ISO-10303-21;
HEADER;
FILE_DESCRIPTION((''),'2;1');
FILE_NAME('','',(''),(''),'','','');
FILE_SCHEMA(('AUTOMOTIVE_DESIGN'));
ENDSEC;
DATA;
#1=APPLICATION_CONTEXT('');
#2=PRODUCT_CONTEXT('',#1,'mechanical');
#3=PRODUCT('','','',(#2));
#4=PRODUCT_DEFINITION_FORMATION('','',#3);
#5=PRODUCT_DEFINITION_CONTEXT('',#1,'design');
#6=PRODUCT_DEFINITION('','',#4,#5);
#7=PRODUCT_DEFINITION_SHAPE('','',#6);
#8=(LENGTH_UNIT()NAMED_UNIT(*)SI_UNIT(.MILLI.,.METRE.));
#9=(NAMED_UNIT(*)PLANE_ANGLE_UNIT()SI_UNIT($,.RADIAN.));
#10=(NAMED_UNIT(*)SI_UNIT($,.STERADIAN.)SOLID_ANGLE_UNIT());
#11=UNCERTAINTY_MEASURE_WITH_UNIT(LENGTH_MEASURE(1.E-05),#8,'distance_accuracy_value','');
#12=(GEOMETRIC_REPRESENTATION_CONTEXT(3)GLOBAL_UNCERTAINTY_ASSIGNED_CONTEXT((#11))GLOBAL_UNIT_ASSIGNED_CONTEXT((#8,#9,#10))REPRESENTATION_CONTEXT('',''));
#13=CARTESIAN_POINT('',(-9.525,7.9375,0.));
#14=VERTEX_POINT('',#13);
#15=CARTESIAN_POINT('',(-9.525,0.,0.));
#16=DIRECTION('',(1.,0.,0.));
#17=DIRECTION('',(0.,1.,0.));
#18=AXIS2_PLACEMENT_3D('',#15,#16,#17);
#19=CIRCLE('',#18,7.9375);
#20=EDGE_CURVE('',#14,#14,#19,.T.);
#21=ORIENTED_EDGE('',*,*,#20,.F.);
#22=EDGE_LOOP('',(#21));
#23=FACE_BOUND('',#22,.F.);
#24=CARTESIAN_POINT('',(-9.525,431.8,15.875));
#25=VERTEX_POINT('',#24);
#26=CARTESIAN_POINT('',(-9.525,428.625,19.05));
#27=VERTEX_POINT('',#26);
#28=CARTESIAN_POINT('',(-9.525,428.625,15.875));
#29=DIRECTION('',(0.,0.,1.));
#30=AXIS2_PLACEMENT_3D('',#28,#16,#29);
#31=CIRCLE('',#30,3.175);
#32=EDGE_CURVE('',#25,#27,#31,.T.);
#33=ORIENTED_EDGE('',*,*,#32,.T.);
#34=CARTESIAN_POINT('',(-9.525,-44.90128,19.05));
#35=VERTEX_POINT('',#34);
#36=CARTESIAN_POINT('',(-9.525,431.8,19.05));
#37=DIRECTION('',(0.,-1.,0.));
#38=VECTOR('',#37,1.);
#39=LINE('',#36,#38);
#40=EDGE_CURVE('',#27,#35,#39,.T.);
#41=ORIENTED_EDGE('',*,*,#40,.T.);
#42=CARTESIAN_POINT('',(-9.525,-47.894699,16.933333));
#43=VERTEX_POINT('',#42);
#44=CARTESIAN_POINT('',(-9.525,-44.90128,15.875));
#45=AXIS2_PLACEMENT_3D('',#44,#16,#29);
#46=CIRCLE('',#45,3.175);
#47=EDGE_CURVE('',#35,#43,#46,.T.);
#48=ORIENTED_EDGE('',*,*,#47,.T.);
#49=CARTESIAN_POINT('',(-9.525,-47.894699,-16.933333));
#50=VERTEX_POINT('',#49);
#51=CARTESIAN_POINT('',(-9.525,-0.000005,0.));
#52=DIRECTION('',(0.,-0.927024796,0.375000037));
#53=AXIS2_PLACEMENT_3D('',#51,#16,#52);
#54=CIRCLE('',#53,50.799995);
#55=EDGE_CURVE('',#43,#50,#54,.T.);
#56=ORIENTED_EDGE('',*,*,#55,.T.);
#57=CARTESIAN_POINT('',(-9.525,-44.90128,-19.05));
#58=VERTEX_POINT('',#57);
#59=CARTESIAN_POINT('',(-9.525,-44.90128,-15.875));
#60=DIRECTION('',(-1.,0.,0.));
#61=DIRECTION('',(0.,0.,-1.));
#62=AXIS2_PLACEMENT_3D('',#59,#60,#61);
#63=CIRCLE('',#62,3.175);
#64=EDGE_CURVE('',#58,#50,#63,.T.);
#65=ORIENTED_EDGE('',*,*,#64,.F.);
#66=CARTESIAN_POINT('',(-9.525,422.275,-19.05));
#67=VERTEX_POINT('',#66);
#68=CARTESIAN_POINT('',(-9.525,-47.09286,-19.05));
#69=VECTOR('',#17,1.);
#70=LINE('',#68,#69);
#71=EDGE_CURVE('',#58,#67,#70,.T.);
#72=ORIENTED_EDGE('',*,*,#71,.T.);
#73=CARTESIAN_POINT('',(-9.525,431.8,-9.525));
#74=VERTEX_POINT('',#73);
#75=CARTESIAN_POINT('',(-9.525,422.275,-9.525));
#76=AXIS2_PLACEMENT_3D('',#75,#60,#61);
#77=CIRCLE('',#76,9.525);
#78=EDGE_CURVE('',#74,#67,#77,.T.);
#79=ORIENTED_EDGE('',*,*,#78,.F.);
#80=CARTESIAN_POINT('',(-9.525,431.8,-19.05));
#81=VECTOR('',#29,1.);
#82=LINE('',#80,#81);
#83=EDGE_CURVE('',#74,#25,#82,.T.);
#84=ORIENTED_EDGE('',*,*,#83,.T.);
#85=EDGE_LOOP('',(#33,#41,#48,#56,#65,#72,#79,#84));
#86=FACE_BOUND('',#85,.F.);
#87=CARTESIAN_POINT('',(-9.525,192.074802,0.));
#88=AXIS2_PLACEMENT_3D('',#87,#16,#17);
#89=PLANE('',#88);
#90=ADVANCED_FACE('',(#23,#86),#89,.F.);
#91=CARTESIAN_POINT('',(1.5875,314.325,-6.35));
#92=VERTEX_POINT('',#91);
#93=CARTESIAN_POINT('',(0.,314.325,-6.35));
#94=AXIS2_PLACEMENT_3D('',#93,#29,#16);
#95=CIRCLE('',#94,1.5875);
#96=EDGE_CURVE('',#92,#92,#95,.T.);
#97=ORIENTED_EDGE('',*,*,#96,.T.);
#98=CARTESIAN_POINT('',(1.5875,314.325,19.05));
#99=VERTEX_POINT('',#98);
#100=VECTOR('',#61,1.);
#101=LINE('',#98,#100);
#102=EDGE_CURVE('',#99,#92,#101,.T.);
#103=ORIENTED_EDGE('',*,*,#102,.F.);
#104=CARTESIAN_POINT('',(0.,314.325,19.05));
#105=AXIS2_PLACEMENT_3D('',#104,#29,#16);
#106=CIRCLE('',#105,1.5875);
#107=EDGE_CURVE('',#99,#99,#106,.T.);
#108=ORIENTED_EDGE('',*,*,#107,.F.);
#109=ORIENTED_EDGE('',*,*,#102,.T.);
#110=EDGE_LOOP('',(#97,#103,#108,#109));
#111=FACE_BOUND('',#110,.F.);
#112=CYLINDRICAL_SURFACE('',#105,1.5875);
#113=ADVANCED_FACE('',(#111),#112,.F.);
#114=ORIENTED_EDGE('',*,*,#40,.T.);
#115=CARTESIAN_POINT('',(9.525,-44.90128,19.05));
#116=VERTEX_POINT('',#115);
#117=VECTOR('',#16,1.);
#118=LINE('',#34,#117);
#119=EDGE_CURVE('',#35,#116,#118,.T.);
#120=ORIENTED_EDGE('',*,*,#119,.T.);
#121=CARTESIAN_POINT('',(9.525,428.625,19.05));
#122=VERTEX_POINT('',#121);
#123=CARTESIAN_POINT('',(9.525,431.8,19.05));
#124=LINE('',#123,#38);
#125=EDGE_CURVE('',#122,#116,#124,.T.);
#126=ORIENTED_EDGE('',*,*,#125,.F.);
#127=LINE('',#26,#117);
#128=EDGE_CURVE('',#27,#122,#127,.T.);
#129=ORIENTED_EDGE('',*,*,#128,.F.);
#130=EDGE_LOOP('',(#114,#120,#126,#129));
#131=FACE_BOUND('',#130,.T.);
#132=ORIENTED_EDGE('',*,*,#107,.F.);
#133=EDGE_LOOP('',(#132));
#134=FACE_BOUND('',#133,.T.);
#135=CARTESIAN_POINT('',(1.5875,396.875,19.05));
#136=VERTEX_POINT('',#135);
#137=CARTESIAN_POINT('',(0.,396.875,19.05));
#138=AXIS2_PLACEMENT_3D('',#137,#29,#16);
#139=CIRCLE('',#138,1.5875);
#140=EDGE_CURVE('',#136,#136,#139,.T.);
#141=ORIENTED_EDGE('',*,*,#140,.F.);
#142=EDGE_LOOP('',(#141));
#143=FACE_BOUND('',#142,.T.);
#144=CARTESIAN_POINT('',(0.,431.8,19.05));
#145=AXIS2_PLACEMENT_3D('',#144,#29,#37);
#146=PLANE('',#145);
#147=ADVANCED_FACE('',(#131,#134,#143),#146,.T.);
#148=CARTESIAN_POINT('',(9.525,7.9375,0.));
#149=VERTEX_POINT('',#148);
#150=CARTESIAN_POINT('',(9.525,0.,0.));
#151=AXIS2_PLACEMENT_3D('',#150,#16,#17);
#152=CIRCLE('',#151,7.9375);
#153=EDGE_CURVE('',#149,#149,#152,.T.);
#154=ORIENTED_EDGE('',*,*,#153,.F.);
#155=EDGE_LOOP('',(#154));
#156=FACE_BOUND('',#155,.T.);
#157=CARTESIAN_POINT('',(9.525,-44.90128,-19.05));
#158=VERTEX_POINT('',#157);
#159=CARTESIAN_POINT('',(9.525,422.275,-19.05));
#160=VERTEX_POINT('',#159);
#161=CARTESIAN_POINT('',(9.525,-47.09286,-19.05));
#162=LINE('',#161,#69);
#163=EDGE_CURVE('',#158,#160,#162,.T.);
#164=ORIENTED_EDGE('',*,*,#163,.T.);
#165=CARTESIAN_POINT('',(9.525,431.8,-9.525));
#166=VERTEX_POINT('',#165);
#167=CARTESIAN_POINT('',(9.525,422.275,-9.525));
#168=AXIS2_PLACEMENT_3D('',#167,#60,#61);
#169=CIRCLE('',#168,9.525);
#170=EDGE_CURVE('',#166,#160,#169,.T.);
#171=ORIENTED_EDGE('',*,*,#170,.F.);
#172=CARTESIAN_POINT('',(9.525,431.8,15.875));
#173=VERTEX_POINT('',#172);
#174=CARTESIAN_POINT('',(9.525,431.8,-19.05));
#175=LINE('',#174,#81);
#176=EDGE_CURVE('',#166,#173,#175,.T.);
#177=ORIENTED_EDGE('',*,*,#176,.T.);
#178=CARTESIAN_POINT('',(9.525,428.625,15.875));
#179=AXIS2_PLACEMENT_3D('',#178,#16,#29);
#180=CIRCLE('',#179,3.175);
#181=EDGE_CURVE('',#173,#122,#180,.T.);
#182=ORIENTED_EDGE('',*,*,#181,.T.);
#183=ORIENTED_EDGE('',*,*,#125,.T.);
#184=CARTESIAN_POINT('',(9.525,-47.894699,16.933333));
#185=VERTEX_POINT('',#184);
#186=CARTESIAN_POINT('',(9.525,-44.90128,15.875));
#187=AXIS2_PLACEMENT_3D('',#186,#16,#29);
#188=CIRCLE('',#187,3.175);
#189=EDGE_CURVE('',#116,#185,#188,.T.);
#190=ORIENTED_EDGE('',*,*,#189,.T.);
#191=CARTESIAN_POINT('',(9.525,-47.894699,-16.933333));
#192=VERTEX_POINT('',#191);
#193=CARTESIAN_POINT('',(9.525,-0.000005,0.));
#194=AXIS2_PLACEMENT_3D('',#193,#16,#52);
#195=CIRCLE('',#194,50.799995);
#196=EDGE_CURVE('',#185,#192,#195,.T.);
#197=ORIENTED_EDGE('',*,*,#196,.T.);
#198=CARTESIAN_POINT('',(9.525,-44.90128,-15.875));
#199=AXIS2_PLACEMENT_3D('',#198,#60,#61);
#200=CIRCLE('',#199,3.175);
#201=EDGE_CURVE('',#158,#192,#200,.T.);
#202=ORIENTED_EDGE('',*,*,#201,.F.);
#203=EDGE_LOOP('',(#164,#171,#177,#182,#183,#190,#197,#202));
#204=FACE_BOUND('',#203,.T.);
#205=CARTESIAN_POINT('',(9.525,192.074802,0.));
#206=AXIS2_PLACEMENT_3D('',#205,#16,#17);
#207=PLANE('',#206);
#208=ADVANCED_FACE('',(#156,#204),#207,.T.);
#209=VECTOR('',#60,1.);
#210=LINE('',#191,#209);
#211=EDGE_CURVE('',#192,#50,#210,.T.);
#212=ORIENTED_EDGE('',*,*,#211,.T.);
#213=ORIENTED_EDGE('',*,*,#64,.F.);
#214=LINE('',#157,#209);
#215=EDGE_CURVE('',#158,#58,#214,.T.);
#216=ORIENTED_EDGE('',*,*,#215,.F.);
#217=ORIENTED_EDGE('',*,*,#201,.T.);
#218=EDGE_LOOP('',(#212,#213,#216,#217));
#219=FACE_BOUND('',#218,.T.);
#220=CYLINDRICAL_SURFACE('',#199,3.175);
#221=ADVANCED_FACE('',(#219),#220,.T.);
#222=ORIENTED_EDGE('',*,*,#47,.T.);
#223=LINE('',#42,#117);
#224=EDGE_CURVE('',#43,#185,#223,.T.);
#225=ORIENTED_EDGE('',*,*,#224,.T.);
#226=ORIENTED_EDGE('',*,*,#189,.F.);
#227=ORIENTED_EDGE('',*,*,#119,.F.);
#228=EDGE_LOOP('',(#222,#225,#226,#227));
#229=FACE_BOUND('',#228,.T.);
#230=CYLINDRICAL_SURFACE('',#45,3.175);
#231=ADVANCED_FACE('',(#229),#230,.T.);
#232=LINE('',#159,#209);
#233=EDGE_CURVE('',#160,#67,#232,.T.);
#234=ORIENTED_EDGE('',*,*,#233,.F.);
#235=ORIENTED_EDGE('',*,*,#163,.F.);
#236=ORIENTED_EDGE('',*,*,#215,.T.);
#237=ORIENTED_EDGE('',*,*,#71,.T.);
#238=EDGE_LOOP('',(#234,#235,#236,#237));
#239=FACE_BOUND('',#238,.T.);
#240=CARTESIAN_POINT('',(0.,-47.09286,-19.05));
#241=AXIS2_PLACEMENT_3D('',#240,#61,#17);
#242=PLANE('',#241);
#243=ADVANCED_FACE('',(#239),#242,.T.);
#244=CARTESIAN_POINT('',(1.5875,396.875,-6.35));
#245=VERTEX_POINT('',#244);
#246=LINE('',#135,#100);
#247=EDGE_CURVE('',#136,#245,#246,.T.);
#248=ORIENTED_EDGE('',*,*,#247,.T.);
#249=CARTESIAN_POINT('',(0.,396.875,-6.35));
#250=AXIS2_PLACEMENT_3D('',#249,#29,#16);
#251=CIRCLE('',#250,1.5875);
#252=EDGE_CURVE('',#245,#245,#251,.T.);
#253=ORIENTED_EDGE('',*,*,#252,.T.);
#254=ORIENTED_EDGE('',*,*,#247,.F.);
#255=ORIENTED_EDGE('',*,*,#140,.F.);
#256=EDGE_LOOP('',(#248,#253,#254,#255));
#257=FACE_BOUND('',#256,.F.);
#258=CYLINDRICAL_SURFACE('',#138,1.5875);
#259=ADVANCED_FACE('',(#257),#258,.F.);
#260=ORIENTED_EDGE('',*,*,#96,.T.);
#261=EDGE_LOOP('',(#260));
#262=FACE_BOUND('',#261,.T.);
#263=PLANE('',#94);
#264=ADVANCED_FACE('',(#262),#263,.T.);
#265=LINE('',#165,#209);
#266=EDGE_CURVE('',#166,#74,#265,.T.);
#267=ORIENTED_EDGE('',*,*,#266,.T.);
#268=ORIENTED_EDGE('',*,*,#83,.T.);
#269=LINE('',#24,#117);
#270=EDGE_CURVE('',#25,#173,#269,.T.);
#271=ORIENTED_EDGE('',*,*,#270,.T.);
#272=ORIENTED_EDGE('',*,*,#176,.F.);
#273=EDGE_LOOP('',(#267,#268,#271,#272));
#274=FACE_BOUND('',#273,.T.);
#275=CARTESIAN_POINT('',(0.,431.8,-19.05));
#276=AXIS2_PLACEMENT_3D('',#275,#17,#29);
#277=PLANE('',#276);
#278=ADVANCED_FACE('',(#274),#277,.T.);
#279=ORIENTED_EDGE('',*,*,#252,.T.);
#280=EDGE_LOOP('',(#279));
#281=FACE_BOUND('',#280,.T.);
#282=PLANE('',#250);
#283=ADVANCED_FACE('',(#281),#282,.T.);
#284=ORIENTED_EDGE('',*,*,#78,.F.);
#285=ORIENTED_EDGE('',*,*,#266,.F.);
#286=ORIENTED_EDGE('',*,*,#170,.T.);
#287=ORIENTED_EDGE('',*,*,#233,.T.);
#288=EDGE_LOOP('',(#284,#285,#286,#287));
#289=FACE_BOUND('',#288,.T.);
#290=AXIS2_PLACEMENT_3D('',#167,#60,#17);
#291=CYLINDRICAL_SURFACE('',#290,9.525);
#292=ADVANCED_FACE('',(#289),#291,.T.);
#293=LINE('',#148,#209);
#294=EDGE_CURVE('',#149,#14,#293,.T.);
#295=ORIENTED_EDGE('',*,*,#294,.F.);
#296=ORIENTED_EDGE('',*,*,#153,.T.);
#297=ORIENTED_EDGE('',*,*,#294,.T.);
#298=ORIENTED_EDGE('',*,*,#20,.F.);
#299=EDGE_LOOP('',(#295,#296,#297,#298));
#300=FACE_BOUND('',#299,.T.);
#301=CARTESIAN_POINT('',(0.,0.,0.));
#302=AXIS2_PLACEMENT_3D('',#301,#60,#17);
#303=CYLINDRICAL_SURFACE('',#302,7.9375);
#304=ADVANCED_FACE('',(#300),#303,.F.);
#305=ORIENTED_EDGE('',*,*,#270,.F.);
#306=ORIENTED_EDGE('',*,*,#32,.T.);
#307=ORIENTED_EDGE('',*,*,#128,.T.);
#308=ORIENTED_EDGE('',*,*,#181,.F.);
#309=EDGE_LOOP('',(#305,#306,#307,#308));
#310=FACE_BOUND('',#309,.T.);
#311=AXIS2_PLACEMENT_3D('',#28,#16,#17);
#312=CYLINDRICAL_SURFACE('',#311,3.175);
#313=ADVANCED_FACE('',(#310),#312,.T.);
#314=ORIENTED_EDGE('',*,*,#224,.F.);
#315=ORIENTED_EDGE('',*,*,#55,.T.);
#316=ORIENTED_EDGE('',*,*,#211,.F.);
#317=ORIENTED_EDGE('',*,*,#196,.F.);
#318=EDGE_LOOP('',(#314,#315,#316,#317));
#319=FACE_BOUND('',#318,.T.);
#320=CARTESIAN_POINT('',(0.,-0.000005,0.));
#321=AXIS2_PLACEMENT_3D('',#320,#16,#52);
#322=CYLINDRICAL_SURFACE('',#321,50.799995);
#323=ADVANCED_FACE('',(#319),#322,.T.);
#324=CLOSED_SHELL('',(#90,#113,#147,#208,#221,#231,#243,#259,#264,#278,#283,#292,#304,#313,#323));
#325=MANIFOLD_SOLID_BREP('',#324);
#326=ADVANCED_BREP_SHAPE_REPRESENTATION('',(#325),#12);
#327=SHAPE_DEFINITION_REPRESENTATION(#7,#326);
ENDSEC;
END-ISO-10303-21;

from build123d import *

# Parameters (mm, degrees)
F0_R     = 7.9375
F1_DEPTH = 9.525
F2_R     = 1.5875
F3_DEPTH = 25.4
F4_R     = 9.525
F5_R     = 3.175


with BuildPart() as f1:
    # F0 (on Right) → F1 (new body, symmetric)
    with BuildSketch(Plane.YZ):
        with BuildLine():
            Line((431.8, -19.05), (431.8, 19.05))
            Line((431.8, 19.05), (-47.09286, 19.05))
            ThreePointArc((-47.09286, 19.05), (-50.8, 0), (-47.09286, -19.05))
            Line((-47.09286, -19.05), (431.8, -19.05))
        make_face()
        Circle(F0_R, mode=Mode.SUBTRACT)
    extrude(amount=F1_DEPTH, both=True)

    # F2 (on face) → F3 (cut)
    with BuildSketch(Plane.XY.offset(19.05)):
        with Locations((0, 396.875)):
            Circle(F2_R)
        with Locations((0, 314.325)):
            Circle(F2_R)
    extrude(amount=-F3_DEPTH, mode=Mode.SUBTRACT)

    # F4
    f4_edges = [f1.edges().sort_by_distance(p)[0] for p in [
        (0, 431.8, -19.05),
    ]]
    fillet(f4_edges, radius=F4_R)

    # F5
    f5_edges = [f1.edges().sort_by_distance(p)[0] for p in [
        (0, 431.8, 19.05),
        (0, -47.09286, -19.05),
        (0, -47.09286, 19.05),
    ]]
    fillet(f5_edges, radius=F5_R)


solid = f1.part
